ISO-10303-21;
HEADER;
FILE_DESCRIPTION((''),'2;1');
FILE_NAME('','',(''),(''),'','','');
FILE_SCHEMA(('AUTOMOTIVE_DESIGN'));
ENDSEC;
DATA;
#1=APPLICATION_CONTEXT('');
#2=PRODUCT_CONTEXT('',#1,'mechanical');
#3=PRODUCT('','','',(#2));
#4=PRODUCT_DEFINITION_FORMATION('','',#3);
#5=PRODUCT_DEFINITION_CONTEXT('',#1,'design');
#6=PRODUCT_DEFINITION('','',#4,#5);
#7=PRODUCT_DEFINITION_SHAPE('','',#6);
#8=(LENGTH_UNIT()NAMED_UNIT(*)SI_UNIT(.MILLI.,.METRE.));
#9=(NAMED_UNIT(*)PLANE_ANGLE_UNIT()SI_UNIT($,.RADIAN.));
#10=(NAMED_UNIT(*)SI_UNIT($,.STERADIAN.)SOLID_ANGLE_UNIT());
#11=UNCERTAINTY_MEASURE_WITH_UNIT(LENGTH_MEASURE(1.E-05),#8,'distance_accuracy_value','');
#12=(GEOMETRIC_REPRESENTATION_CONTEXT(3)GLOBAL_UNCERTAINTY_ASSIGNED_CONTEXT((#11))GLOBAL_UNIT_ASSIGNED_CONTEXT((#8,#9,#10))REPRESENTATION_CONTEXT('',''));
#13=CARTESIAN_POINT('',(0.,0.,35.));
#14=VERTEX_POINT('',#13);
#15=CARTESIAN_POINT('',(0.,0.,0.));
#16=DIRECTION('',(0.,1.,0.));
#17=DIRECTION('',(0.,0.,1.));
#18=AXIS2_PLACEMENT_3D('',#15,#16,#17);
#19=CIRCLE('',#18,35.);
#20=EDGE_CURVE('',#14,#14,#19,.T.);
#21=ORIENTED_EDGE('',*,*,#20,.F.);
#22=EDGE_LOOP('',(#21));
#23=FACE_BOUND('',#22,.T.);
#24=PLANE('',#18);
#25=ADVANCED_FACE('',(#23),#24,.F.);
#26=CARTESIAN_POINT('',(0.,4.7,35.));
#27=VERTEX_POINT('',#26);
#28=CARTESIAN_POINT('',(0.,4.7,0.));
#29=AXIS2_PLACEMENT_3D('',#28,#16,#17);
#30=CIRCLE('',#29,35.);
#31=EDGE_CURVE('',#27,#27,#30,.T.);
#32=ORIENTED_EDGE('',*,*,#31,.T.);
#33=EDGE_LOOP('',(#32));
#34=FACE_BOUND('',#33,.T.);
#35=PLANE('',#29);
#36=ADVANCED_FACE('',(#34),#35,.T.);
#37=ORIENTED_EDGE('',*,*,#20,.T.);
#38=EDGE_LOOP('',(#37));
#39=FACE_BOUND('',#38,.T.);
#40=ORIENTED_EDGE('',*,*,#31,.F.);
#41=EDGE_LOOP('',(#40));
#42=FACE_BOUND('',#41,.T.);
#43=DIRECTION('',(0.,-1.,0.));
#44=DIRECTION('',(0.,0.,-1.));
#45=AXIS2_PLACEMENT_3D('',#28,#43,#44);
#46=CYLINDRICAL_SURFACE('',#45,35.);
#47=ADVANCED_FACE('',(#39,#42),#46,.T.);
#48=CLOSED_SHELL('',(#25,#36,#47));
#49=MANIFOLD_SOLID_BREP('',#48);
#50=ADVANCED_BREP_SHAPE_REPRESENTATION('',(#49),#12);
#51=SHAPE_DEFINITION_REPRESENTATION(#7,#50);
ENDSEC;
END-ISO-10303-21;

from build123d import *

# Parameters (mm, degrees)
SKETCH1_R           = 35
BOSS_EXTRUDE1_DEPTH = 4.7


with BuildPart() as part:
    # Sketch1 → Boss-Extrude1 (new body)
    with BuildSketch(Plane(origin=(0, 0, 0), x_dir=(1, 0, 0), z_dir=(0, 1, 0))):
        Circle(SKETCH1_R)
    extrude(amount=BOSS_EXTRUDE1_DEPTH)


solid = part.part
